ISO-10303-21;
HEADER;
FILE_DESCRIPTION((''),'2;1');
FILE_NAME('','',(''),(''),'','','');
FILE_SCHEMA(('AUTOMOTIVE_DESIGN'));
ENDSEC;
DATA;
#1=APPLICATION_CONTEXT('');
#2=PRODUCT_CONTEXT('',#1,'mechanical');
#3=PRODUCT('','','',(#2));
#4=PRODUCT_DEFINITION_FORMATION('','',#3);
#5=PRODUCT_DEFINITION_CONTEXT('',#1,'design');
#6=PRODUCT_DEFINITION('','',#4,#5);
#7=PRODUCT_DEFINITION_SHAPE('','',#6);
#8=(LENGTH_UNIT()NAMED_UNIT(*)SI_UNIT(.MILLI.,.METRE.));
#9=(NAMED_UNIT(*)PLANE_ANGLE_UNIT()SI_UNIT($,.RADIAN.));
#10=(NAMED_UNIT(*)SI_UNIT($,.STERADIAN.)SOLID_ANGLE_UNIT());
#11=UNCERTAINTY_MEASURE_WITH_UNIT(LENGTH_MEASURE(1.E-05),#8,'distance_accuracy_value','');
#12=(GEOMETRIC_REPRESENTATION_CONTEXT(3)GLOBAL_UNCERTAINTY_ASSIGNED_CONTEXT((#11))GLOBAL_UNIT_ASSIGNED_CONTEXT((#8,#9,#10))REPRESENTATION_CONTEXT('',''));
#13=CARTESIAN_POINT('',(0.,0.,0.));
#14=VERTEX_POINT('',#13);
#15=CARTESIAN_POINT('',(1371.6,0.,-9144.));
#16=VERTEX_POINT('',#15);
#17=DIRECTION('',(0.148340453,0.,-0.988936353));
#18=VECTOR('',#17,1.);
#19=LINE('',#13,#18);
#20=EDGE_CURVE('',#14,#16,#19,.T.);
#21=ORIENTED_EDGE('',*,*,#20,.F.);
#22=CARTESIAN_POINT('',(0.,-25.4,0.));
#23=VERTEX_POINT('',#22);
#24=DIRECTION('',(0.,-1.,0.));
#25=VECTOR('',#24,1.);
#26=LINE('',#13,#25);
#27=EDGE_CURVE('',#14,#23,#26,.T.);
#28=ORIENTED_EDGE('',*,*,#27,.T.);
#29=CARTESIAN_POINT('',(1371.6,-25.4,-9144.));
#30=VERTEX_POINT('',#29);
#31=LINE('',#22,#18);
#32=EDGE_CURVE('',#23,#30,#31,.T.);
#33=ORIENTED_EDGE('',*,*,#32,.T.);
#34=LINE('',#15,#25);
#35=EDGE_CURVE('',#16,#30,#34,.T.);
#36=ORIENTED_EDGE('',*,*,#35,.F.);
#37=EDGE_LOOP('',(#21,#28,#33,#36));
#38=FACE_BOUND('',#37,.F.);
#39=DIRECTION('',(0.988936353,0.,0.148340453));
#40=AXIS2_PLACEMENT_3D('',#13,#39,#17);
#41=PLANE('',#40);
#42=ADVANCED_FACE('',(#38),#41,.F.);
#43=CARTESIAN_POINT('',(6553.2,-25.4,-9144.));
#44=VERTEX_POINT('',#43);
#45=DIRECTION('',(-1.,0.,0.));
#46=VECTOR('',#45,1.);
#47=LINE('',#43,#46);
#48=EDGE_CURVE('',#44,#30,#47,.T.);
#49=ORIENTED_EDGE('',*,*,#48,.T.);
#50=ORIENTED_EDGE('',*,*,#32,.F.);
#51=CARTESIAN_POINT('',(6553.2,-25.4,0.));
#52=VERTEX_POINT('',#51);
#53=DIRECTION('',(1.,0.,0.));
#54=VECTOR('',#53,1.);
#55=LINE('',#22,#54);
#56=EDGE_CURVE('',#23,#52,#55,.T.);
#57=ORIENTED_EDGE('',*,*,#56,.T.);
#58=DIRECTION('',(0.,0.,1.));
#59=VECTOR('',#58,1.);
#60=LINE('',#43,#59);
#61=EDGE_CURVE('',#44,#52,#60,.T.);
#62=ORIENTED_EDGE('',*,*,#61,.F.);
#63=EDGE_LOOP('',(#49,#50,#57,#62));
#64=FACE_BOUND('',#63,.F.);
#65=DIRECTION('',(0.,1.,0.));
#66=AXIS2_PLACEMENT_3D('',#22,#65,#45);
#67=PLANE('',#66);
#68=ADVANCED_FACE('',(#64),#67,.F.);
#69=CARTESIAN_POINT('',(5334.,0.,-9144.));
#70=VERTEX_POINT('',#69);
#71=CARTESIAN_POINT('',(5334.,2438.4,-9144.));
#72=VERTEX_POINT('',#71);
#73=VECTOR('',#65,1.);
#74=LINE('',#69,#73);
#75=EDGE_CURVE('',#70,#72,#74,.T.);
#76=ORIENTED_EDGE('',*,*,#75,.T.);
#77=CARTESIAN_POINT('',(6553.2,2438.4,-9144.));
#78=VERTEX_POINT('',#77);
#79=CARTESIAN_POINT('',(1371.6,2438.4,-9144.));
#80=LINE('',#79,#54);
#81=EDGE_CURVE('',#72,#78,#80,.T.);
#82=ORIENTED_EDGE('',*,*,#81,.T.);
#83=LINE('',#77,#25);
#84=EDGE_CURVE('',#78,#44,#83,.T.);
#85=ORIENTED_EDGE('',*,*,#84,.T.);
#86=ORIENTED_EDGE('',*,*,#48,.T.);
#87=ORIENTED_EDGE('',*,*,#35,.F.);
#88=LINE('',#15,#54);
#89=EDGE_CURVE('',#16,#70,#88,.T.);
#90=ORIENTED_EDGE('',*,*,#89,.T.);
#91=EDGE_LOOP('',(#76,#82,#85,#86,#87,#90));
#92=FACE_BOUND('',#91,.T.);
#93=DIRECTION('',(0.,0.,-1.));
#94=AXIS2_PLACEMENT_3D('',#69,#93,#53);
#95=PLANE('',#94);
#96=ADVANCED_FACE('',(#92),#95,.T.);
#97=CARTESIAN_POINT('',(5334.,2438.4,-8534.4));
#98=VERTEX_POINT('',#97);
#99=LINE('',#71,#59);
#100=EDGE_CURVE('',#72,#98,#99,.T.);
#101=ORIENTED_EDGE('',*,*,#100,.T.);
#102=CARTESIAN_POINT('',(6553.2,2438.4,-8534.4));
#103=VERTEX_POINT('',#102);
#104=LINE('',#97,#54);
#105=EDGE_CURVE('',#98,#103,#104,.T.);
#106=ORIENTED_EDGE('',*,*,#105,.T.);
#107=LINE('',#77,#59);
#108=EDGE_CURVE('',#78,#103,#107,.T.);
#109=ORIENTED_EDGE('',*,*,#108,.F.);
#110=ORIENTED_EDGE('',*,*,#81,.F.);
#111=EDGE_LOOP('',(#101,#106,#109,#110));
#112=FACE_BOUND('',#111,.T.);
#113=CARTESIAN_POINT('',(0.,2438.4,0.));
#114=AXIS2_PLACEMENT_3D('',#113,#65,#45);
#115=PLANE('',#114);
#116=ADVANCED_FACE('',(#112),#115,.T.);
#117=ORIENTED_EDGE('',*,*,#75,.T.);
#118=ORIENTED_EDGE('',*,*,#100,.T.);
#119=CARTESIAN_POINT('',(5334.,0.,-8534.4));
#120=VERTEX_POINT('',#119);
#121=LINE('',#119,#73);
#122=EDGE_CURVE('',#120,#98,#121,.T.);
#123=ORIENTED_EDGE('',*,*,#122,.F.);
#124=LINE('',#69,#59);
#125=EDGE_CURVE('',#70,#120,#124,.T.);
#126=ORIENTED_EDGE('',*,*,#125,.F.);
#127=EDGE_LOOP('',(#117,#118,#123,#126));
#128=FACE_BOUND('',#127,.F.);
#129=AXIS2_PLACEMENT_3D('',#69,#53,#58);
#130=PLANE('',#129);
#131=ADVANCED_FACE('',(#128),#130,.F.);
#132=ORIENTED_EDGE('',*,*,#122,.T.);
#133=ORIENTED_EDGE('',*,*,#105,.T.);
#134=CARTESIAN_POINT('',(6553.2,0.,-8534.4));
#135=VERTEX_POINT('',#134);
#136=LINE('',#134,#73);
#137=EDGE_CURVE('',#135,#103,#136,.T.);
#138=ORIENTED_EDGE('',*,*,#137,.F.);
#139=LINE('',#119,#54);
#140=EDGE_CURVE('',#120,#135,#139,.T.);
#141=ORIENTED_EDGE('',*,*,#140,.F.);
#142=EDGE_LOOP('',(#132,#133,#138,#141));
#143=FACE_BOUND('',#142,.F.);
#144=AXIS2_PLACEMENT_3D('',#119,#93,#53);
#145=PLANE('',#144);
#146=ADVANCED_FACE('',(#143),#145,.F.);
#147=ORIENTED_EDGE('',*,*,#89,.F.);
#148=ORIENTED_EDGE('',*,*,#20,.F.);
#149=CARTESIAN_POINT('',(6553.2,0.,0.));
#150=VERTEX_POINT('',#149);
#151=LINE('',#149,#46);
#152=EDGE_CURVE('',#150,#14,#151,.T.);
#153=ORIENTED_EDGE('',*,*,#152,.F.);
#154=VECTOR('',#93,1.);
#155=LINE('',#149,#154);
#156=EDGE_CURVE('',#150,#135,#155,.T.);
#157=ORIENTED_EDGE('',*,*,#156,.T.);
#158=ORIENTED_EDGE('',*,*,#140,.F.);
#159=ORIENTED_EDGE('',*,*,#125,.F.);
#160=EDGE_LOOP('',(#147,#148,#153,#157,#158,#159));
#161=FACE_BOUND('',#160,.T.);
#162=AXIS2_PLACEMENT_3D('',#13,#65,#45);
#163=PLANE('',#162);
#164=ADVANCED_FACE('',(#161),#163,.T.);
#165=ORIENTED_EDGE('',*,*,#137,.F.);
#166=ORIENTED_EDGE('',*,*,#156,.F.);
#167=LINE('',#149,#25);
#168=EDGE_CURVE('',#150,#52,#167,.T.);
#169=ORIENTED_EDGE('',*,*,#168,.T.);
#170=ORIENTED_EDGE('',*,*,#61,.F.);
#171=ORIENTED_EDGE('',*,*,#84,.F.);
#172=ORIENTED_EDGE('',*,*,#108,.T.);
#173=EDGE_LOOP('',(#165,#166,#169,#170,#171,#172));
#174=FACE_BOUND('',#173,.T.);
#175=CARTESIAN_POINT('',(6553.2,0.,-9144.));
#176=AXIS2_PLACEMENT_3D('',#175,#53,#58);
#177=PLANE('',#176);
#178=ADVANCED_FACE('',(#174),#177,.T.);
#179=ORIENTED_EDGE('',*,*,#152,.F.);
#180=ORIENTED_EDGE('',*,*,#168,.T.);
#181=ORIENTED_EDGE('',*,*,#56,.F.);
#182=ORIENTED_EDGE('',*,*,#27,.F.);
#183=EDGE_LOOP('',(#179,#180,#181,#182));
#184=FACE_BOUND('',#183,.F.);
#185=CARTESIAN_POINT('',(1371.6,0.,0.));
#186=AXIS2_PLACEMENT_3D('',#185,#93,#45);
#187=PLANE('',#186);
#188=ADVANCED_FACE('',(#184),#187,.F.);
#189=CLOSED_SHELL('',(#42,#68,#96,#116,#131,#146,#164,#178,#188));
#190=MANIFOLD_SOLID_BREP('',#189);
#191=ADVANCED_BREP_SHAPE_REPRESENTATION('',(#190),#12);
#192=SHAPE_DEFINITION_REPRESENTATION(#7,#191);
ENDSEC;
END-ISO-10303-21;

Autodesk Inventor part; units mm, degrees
ref_plane "YZ Plane" through (0, 0, 0) normal (1, 0, 0) x (0, 1, 0)
ref_plane "XZ Plane" through (0, 0, 0) normal (0, 1, 0) x (-1, 0, 0)
ref_plane "XY Plane" through (0, 0, 0) normal (0, 0, 1) x (1, 0, 0)
sketch "Sketch1" plane through (0, 0, 0) normal (0, 1, 0) x (-1, 0, 0)
  line L0 (0, 0) -> (-1371.6, -9144)
  line L1 (-1371.6, -9144) -> (-6553.2, -9144)
  line L2 (-6553.2, -9144) -> (-6553.2, 0)
  line L3 (-6553.2, 0) -> (-1371.6, 0)
  line L4 (-1371.6, 0) -> (0, 0)
  line L5 (-1371.6, 0) -> (-1371.6, -9144) construction
  line L6 (-6553.2, -9144) -> (-5334, -9144)
  line L7 (-5334, -9144) -> (-5334, -8534.4)
  line L8 (-5334, -8534.4) -> (-6553.2, -8534.4)
  line L9 (-6553.2, -8534.4) -> (-6553.2, -9144)
  dimension "d4" = 1371.6
  dimension "d5" = 9144
  dimension "d6" = 5181.6
  dimension "d7" = 1219.2
  dimension "d8" = 609.6
extrude "Extrusion1" add sketch "Sketch1" against normal blind 25.4
extrude "Extrusion2" add sketch "Sketch1" along normal blind 2438.4 contours L1 L2 L8 L7
equation "\"pillar\" = pillarHeight"
equation "\"pillarHeight\" = 2438.4"
properties part number "Building"
